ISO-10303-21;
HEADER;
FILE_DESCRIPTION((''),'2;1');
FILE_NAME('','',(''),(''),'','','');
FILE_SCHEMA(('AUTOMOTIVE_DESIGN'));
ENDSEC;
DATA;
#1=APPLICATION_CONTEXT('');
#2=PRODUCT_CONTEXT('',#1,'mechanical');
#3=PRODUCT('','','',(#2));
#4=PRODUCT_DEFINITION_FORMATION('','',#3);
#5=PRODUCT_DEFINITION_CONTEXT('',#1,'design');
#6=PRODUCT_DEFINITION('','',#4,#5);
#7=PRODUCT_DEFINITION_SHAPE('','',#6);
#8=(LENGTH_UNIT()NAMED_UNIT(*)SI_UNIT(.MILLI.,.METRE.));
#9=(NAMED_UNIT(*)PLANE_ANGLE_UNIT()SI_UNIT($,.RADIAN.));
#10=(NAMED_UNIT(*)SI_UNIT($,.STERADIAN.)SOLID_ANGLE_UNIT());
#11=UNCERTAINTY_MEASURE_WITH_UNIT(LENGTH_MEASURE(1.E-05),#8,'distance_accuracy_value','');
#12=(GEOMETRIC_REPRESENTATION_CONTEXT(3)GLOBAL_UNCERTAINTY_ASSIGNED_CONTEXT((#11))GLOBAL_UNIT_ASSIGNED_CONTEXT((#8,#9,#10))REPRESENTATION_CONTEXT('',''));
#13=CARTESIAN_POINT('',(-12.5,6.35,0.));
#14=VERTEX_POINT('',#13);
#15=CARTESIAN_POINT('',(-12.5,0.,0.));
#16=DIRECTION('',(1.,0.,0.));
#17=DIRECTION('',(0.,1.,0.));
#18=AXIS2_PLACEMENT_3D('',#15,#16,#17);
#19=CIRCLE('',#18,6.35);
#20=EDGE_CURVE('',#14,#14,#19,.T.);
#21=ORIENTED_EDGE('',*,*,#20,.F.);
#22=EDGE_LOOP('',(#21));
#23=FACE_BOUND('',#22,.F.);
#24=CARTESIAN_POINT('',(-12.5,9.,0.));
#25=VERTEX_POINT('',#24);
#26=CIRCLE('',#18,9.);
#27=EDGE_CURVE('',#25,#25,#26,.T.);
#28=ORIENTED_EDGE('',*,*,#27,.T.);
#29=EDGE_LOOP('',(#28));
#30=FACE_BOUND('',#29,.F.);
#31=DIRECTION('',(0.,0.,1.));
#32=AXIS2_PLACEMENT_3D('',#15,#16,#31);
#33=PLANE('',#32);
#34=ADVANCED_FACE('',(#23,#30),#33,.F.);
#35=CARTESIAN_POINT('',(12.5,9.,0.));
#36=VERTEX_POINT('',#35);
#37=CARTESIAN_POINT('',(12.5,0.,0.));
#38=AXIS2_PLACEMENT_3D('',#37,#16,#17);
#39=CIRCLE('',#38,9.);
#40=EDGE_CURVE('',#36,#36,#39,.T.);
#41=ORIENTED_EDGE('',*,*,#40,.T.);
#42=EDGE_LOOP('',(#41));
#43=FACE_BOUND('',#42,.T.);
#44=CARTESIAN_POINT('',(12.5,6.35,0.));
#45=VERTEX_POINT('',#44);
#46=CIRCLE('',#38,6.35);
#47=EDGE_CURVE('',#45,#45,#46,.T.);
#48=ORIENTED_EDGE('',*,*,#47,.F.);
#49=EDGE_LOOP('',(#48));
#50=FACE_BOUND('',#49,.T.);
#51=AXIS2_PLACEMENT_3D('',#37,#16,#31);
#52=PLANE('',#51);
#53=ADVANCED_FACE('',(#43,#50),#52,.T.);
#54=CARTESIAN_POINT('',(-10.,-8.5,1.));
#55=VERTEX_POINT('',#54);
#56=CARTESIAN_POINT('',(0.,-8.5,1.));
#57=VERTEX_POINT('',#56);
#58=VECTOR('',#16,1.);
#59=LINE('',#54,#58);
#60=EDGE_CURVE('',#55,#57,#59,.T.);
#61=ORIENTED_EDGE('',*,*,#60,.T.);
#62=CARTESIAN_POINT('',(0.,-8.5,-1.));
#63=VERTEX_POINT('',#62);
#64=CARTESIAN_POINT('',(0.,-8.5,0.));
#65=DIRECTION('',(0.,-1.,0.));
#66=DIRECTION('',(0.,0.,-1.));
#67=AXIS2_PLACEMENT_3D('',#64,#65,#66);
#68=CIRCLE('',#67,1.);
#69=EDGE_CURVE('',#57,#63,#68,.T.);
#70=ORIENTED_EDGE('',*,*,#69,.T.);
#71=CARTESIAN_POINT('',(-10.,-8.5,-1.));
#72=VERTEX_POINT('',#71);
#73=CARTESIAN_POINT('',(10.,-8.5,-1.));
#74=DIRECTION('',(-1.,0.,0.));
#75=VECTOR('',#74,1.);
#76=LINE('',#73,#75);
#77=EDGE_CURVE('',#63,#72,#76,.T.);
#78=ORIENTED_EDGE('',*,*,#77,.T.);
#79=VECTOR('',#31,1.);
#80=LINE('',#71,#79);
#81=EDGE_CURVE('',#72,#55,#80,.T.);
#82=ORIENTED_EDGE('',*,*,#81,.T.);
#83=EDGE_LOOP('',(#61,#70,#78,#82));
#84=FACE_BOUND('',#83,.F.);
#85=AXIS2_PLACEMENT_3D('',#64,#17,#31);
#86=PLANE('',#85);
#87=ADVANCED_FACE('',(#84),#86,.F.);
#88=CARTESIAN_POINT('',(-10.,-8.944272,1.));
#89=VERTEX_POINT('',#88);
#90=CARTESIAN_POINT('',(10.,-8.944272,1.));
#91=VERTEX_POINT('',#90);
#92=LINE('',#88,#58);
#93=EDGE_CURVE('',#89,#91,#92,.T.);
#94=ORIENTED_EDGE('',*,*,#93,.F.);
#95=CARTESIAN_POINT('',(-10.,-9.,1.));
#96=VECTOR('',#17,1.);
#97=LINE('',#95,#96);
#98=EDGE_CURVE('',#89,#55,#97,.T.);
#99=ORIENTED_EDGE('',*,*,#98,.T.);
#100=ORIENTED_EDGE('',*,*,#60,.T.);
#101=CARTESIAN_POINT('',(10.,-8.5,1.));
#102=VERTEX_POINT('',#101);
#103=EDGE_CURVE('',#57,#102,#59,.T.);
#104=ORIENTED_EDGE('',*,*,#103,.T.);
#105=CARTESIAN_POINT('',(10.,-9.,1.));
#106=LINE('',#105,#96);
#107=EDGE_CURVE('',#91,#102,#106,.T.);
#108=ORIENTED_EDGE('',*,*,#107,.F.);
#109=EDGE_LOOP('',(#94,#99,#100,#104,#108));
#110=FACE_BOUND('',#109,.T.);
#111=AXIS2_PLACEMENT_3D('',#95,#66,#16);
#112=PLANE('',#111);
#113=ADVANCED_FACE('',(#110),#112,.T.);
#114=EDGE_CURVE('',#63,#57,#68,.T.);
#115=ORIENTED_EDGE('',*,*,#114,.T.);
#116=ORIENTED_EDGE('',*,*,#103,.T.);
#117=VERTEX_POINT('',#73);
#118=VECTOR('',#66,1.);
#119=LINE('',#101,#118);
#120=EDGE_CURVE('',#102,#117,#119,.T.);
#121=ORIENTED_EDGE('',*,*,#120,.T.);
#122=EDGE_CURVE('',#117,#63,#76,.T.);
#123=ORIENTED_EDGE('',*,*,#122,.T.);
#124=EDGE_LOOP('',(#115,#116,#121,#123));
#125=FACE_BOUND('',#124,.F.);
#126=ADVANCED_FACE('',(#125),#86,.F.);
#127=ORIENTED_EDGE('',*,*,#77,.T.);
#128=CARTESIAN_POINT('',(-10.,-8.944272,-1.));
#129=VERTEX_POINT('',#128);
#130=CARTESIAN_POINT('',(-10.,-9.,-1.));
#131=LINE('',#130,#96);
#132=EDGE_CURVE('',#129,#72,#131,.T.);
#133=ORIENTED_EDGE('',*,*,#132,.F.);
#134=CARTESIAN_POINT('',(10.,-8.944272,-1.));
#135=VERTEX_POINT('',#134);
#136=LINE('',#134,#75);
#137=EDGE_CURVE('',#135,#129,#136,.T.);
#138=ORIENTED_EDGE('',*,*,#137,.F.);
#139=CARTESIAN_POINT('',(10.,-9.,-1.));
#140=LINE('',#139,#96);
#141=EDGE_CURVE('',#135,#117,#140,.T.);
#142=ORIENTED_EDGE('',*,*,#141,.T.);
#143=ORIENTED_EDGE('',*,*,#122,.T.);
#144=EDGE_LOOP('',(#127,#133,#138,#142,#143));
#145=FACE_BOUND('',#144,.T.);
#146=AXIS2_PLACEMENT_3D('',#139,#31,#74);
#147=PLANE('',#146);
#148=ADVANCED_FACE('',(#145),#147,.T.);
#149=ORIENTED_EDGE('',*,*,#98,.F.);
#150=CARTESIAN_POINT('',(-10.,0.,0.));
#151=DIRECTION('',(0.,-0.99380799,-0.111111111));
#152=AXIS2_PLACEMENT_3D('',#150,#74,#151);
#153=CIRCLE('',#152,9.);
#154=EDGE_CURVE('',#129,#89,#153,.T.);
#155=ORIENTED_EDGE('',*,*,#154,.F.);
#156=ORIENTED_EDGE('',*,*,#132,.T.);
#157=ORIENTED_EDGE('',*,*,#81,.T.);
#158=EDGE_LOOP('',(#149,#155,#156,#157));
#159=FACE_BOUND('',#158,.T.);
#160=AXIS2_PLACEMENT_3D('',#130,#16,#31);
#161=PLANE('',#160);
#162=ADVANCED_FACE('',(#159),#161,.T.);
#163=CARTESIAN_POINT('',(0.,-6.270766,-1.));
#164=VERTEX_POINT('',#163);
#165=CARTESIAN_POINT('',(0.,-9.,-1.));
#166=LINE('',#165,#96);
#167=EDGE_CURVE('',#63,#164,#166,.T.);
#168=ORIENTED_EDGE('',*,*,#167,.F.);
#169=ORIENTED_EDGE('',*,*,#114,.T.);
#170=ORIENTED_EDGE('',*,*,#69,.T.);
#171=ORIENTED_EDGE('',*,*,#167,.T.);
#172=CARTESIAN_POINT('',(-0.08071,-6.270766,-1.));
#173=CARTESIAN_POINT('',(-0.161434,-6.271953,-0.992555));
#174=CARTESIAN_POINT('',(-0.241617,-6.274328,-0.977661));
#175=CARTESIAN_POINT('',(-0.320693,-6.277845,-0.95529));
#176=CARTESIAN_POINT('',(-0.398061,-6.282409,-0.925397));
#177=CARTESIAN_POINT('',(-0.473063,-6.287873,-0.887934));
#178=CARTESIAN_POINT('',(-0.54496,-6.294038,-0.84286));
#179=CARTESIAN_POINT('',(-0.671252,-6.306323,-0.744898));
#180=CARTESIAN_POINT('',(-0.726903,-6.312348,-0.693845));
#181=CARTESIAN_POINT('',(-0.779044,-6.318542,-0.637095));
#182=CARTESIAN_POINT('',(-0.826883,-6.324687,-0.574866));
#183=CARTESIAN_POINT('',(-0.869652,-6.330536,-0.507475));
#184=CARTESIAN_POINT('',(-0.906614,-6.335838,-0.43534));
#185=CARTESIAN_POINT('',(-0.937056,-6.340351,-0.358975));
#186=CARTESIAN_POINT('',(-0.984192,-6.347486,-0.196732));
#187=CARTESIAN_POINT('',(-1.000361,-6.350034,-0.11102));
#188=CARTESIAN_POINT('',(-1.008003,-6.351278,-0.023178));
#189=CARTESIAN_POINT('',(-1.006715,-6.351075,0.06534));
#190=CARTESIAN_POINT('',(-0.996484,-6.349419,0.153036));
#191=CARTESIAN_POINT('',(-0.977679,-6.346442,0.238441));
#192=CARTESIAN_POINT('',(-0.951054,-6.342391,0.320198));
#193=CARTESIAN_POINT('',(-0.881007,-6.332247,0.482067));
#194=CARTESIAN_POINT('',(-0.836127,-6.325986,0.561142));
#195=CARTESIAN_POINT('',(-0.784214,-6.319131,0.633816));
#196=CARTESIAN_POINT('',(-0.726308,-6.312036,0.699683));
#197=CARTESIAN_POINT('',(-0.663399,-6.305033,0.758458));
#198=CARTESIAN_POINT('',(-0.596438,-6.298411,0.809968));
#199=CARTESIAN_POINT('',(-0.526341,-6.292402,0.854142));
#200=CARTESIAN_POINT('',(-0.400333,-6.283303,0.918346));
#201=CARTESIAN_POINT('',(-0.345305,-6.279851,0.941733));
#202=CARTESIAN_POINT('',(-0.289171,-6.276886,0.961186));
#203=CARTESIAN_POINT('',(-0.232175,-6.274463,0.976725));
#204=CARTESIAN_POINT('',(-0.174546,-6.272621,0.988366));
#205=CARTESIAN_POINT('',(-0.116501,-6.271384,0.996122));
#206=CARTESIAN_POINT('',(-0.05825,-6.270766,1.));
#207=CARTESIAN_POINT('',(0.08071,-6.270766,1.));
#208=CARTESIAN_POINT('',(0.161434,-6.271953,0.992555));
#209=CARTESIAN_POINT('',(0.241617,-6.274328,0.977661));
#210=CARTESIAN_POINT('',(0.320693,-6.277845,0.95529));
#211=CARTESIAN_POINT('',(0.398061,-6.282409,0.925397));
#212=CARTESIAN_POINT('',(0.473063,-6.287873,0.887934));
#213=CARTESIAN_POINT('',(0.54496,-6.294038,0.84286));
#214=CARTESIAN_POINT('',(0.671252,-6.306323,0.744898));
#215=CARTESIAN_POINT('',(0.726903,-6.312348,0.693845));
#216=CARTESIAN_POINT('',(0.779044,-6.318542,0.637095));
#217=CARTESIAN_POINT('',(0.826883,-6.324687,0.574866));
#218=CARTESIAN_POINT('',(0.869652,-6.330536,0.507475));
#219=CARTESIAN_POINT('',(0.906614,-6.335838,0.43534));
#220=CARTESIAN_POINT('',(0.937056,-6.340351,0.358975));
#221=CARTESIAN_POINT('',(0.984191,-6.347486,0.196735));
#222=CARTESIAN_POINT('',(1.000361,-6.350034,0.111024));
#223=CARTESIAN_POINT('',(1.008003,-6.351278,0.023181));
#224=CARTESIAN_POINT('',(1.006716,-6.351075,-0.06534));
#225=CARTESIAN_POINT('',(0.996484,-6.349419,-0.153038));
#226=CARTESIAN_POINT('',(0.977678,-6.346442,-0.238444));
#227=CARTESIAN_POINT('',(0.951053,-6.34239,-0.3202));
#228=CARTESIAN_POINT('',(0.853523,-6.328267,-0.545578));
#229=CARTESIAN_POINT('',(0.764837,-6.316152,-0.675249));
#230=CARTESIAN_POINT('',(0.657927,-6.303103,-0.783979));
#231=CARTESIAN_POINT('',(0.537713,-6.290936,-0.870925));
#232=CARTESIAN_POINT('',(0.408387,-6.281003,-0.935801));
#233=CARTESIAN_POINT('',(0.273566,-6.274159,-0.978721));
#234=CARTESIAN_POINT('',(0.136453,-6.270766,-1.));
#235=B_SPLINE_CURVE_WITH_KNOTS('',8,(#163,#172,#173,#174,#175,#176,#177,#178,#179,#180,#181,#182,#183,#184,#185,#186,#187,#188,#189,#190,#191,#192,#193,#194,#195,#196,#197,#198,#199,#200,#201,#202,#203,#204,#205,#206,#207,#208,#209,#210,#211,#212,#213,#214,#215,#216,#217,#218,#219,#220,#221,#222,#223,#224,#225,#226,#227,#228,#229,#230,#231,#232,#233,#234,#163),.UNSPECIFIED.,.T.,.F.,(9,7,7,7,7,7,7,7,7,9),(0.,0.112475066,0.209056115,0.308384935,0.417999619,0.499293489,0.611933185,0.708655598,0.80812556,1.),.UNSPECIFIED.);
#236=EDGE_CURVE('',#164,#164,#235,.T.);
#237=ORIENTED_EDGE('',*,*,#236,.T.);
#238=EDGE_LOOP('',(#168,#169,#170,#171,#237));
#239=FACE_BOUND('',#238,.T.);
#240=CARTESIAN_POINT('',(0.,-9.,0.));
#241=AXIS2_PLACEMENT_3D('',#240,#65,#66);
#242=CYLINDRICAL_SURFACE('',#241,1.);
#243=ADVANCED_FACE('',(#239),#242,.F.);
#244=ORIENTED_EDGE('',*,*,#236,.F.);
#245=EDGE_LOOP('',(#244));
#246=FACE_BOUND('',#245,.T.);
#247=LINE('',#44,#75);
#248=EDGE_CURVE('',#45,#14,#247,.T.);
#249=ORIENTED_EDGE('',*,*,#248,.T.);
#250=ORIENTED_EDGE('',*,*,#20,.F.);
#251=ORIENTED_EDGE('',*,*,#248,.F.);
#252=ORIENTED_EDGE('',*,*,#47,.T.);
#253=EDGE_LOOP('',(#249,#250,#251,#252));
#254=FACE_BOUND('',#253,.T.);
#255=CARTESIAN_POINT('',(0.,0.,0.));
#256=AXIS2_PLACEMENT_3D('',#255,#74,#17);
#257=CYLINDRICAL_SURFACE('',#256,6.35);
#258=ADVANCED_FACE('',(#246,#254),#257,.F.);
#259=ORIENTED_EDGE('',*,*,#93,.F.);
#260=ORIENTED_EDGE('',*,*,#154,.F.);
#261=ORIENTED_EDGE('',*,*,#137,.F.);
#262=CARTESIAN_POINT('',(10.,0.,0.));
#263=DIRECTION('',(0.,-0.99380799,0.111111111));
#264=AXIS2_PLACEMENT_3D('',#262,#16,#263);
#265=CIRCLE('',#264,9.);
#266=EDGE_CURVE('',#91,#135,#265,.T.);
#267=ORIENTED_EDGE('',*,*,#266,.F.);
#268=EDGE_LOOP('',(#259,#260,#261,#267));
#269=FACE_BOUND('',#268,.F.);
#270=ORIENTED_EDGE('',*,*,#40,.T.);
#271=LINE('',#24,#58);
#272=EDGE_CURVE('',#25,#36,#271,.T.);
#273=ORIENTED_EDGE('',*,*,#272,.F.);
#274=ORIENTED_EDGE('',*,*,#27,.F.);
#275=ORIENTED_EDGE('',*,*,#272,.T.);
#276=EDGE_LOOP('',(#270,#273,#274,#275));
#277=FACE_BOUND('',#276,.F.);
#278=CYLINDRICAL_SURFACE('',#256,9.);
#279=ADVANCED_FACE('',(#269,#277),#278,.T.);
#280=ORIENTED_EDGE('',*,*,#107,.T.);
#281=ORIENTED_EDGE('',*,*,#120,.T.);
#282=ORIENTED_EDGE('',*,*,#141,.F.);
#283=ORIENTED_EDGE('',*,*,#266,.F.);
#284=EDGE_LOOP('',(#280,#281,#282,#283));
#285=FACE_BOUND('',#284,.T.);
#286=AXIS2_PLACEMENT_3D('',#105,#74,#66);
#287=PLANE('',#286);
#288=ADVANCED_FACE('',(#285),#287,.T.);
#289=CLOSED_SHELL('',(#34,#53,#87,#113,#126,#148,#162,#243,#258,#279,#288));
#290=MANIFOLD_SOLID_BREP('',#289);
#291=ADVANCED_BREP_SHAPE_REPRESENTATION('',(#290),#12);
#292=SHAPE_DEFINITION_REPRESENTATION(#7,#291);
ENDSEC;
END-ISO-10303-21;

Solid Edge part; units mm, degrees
sketch "Sketch1" plane through (0, 0, 0) normal (1, 0, 0) x (0, 1, 0)
  circle A0 centre (0, 0) radius 9
  circle A1 centre (0, 0) radius 6.35
extrude "Protrusion1" add sketch "Sketch1" along normal mid plane 25
sketch "Sketch2" plane through (0, -9, 0) normal (0, -1, 0) x (1, 0, 0)
  line L0 (10, -1) -> (-10, -1)
  line L1 (-10, -1) -> (-10, 1)
  line L2 (-10, 1) -> (10, 1)
  line L3 (10, 1) -> (10, -1)
extrude "ExtrudedCutout_1" cut sketch "Sketch2" against normal blind 0.5
hole "Hole_1" at (0, -9, 0) direction (0, 1, 0) diameter 2 end up to next
